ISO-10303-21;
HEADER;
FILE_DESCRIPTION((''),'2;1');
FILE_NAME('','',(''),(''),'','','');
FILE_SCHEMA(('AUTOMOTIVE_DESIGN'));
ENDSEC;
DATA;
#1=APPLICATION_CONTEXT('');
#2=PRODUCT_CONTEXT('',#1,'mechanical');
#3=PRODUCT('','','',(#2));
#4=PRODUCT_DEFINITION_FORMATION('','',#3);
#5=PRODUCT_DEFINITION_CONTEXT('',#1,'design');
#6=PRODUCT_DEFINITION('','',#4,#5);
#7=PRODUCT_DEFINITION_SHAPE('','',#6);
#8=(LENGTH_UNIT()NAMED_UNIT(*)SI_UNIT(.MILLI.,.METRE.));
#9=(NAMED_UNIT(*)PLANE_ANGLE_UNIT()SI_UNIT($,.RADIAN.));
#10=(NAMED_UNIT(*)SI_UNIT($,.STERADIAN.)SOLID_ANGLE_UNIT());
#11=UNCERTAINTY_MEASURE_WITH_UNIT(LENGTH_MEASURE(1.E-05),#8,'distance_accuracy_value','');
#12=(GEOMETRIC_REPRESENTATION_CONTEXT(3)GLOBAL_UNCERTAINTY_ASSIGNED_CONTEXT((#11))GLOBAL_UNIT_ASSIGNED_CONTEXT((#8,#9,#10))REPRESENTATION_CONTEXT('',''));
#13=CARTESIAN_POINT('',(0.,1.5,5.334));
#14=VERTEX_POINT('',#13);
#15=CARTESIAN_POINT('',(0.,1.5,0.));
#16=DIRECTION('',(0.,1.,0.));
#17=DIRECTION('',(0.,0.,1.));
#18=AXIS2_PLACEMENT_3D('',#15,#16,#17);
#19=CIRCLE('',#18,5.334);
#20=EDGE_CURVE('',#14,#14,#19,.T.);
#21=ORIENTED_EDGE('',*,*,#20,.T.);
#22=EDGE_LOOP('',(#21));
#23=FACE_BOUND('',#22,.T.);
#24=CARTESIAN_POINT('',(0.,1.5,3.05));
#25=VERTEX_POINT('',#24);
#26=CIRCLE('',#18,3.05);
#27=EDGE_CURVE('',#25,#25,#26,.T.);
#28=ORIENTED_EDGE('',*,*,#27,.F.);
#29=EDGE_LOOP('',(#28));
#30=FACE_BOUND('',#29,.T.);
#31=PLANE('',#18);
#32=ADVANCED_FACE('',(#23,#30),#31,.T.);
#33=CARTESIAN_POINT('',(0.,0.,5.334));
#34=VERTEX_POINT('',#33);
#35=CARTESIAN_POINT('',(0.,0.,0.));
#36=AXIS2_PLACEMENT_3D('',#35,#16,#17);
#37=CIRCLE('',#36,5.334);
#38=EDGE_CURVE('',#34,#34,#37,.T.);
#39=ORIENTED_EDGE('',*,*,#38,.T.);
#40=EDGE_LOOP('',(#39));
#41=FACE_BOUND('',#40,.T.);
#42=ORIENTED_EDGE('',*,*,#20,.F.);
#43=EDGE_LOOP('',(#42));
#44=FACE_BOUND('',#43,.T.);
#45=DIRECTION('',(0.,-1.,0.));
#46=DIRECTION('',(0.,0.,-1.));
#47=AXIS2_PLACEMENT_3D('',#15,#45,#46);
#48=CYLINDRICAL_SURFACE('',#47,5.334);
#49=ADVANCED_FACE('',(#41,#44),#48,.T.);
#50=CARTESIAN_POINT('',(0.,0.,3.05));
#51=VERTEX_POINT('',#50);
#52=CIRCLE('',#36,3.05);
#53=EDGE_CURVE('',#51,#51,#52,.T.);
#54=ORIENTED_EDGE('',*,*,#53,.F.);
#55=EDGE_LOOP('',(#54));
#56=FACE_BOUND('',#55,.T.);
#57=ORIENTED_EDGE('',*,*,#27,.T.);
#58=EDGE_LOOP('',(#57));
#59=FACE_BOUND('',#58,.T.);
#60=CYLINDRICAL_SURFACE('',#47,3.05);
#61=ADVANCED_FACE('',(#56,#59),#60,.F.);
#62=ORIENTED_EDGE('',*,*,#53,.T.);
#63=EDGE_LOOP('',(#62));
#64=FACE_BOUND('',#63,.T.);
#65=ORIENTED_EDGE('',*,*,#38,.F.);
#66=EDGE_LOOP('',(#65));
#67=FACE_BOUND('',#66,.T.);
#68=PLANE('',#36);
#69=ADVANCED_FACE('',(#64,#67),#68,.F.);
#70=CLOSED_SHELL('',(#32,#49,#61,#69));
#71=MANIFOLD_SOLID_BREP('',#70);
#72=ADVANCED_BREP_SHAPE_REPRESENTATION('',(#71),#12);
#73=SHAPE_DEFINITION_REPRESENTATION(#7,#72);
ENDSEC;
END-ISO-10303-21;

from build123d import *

# Parameters (mm, degrees)
SKETCH1_R           = 5.334
SKETCH1_R_2         = 3.05
BOSS_EXTRUDE1_DEPTH = 1.5


with BuildPart() as part:
    # Sketch1 → Boss-Extrude1 (new body)
    with BuildSketch(Plane(origin=(0, 0, 0), x_dir=(1, 0, 0), z_dir=(0, 1, 0))):
        with Locations(Location((0, 0, 0), (0, 0, 270))):
            Circle(SKETCH1_R)
        with Locations(Location((0, 0, 0), (0, 0, 270))):
            Circle(SKETCH1_R_2, mode=Mode.SUBTRACT)
    extrude(amount=BOSS_EXTRUDE1_DEPTH)


solid = part.part
